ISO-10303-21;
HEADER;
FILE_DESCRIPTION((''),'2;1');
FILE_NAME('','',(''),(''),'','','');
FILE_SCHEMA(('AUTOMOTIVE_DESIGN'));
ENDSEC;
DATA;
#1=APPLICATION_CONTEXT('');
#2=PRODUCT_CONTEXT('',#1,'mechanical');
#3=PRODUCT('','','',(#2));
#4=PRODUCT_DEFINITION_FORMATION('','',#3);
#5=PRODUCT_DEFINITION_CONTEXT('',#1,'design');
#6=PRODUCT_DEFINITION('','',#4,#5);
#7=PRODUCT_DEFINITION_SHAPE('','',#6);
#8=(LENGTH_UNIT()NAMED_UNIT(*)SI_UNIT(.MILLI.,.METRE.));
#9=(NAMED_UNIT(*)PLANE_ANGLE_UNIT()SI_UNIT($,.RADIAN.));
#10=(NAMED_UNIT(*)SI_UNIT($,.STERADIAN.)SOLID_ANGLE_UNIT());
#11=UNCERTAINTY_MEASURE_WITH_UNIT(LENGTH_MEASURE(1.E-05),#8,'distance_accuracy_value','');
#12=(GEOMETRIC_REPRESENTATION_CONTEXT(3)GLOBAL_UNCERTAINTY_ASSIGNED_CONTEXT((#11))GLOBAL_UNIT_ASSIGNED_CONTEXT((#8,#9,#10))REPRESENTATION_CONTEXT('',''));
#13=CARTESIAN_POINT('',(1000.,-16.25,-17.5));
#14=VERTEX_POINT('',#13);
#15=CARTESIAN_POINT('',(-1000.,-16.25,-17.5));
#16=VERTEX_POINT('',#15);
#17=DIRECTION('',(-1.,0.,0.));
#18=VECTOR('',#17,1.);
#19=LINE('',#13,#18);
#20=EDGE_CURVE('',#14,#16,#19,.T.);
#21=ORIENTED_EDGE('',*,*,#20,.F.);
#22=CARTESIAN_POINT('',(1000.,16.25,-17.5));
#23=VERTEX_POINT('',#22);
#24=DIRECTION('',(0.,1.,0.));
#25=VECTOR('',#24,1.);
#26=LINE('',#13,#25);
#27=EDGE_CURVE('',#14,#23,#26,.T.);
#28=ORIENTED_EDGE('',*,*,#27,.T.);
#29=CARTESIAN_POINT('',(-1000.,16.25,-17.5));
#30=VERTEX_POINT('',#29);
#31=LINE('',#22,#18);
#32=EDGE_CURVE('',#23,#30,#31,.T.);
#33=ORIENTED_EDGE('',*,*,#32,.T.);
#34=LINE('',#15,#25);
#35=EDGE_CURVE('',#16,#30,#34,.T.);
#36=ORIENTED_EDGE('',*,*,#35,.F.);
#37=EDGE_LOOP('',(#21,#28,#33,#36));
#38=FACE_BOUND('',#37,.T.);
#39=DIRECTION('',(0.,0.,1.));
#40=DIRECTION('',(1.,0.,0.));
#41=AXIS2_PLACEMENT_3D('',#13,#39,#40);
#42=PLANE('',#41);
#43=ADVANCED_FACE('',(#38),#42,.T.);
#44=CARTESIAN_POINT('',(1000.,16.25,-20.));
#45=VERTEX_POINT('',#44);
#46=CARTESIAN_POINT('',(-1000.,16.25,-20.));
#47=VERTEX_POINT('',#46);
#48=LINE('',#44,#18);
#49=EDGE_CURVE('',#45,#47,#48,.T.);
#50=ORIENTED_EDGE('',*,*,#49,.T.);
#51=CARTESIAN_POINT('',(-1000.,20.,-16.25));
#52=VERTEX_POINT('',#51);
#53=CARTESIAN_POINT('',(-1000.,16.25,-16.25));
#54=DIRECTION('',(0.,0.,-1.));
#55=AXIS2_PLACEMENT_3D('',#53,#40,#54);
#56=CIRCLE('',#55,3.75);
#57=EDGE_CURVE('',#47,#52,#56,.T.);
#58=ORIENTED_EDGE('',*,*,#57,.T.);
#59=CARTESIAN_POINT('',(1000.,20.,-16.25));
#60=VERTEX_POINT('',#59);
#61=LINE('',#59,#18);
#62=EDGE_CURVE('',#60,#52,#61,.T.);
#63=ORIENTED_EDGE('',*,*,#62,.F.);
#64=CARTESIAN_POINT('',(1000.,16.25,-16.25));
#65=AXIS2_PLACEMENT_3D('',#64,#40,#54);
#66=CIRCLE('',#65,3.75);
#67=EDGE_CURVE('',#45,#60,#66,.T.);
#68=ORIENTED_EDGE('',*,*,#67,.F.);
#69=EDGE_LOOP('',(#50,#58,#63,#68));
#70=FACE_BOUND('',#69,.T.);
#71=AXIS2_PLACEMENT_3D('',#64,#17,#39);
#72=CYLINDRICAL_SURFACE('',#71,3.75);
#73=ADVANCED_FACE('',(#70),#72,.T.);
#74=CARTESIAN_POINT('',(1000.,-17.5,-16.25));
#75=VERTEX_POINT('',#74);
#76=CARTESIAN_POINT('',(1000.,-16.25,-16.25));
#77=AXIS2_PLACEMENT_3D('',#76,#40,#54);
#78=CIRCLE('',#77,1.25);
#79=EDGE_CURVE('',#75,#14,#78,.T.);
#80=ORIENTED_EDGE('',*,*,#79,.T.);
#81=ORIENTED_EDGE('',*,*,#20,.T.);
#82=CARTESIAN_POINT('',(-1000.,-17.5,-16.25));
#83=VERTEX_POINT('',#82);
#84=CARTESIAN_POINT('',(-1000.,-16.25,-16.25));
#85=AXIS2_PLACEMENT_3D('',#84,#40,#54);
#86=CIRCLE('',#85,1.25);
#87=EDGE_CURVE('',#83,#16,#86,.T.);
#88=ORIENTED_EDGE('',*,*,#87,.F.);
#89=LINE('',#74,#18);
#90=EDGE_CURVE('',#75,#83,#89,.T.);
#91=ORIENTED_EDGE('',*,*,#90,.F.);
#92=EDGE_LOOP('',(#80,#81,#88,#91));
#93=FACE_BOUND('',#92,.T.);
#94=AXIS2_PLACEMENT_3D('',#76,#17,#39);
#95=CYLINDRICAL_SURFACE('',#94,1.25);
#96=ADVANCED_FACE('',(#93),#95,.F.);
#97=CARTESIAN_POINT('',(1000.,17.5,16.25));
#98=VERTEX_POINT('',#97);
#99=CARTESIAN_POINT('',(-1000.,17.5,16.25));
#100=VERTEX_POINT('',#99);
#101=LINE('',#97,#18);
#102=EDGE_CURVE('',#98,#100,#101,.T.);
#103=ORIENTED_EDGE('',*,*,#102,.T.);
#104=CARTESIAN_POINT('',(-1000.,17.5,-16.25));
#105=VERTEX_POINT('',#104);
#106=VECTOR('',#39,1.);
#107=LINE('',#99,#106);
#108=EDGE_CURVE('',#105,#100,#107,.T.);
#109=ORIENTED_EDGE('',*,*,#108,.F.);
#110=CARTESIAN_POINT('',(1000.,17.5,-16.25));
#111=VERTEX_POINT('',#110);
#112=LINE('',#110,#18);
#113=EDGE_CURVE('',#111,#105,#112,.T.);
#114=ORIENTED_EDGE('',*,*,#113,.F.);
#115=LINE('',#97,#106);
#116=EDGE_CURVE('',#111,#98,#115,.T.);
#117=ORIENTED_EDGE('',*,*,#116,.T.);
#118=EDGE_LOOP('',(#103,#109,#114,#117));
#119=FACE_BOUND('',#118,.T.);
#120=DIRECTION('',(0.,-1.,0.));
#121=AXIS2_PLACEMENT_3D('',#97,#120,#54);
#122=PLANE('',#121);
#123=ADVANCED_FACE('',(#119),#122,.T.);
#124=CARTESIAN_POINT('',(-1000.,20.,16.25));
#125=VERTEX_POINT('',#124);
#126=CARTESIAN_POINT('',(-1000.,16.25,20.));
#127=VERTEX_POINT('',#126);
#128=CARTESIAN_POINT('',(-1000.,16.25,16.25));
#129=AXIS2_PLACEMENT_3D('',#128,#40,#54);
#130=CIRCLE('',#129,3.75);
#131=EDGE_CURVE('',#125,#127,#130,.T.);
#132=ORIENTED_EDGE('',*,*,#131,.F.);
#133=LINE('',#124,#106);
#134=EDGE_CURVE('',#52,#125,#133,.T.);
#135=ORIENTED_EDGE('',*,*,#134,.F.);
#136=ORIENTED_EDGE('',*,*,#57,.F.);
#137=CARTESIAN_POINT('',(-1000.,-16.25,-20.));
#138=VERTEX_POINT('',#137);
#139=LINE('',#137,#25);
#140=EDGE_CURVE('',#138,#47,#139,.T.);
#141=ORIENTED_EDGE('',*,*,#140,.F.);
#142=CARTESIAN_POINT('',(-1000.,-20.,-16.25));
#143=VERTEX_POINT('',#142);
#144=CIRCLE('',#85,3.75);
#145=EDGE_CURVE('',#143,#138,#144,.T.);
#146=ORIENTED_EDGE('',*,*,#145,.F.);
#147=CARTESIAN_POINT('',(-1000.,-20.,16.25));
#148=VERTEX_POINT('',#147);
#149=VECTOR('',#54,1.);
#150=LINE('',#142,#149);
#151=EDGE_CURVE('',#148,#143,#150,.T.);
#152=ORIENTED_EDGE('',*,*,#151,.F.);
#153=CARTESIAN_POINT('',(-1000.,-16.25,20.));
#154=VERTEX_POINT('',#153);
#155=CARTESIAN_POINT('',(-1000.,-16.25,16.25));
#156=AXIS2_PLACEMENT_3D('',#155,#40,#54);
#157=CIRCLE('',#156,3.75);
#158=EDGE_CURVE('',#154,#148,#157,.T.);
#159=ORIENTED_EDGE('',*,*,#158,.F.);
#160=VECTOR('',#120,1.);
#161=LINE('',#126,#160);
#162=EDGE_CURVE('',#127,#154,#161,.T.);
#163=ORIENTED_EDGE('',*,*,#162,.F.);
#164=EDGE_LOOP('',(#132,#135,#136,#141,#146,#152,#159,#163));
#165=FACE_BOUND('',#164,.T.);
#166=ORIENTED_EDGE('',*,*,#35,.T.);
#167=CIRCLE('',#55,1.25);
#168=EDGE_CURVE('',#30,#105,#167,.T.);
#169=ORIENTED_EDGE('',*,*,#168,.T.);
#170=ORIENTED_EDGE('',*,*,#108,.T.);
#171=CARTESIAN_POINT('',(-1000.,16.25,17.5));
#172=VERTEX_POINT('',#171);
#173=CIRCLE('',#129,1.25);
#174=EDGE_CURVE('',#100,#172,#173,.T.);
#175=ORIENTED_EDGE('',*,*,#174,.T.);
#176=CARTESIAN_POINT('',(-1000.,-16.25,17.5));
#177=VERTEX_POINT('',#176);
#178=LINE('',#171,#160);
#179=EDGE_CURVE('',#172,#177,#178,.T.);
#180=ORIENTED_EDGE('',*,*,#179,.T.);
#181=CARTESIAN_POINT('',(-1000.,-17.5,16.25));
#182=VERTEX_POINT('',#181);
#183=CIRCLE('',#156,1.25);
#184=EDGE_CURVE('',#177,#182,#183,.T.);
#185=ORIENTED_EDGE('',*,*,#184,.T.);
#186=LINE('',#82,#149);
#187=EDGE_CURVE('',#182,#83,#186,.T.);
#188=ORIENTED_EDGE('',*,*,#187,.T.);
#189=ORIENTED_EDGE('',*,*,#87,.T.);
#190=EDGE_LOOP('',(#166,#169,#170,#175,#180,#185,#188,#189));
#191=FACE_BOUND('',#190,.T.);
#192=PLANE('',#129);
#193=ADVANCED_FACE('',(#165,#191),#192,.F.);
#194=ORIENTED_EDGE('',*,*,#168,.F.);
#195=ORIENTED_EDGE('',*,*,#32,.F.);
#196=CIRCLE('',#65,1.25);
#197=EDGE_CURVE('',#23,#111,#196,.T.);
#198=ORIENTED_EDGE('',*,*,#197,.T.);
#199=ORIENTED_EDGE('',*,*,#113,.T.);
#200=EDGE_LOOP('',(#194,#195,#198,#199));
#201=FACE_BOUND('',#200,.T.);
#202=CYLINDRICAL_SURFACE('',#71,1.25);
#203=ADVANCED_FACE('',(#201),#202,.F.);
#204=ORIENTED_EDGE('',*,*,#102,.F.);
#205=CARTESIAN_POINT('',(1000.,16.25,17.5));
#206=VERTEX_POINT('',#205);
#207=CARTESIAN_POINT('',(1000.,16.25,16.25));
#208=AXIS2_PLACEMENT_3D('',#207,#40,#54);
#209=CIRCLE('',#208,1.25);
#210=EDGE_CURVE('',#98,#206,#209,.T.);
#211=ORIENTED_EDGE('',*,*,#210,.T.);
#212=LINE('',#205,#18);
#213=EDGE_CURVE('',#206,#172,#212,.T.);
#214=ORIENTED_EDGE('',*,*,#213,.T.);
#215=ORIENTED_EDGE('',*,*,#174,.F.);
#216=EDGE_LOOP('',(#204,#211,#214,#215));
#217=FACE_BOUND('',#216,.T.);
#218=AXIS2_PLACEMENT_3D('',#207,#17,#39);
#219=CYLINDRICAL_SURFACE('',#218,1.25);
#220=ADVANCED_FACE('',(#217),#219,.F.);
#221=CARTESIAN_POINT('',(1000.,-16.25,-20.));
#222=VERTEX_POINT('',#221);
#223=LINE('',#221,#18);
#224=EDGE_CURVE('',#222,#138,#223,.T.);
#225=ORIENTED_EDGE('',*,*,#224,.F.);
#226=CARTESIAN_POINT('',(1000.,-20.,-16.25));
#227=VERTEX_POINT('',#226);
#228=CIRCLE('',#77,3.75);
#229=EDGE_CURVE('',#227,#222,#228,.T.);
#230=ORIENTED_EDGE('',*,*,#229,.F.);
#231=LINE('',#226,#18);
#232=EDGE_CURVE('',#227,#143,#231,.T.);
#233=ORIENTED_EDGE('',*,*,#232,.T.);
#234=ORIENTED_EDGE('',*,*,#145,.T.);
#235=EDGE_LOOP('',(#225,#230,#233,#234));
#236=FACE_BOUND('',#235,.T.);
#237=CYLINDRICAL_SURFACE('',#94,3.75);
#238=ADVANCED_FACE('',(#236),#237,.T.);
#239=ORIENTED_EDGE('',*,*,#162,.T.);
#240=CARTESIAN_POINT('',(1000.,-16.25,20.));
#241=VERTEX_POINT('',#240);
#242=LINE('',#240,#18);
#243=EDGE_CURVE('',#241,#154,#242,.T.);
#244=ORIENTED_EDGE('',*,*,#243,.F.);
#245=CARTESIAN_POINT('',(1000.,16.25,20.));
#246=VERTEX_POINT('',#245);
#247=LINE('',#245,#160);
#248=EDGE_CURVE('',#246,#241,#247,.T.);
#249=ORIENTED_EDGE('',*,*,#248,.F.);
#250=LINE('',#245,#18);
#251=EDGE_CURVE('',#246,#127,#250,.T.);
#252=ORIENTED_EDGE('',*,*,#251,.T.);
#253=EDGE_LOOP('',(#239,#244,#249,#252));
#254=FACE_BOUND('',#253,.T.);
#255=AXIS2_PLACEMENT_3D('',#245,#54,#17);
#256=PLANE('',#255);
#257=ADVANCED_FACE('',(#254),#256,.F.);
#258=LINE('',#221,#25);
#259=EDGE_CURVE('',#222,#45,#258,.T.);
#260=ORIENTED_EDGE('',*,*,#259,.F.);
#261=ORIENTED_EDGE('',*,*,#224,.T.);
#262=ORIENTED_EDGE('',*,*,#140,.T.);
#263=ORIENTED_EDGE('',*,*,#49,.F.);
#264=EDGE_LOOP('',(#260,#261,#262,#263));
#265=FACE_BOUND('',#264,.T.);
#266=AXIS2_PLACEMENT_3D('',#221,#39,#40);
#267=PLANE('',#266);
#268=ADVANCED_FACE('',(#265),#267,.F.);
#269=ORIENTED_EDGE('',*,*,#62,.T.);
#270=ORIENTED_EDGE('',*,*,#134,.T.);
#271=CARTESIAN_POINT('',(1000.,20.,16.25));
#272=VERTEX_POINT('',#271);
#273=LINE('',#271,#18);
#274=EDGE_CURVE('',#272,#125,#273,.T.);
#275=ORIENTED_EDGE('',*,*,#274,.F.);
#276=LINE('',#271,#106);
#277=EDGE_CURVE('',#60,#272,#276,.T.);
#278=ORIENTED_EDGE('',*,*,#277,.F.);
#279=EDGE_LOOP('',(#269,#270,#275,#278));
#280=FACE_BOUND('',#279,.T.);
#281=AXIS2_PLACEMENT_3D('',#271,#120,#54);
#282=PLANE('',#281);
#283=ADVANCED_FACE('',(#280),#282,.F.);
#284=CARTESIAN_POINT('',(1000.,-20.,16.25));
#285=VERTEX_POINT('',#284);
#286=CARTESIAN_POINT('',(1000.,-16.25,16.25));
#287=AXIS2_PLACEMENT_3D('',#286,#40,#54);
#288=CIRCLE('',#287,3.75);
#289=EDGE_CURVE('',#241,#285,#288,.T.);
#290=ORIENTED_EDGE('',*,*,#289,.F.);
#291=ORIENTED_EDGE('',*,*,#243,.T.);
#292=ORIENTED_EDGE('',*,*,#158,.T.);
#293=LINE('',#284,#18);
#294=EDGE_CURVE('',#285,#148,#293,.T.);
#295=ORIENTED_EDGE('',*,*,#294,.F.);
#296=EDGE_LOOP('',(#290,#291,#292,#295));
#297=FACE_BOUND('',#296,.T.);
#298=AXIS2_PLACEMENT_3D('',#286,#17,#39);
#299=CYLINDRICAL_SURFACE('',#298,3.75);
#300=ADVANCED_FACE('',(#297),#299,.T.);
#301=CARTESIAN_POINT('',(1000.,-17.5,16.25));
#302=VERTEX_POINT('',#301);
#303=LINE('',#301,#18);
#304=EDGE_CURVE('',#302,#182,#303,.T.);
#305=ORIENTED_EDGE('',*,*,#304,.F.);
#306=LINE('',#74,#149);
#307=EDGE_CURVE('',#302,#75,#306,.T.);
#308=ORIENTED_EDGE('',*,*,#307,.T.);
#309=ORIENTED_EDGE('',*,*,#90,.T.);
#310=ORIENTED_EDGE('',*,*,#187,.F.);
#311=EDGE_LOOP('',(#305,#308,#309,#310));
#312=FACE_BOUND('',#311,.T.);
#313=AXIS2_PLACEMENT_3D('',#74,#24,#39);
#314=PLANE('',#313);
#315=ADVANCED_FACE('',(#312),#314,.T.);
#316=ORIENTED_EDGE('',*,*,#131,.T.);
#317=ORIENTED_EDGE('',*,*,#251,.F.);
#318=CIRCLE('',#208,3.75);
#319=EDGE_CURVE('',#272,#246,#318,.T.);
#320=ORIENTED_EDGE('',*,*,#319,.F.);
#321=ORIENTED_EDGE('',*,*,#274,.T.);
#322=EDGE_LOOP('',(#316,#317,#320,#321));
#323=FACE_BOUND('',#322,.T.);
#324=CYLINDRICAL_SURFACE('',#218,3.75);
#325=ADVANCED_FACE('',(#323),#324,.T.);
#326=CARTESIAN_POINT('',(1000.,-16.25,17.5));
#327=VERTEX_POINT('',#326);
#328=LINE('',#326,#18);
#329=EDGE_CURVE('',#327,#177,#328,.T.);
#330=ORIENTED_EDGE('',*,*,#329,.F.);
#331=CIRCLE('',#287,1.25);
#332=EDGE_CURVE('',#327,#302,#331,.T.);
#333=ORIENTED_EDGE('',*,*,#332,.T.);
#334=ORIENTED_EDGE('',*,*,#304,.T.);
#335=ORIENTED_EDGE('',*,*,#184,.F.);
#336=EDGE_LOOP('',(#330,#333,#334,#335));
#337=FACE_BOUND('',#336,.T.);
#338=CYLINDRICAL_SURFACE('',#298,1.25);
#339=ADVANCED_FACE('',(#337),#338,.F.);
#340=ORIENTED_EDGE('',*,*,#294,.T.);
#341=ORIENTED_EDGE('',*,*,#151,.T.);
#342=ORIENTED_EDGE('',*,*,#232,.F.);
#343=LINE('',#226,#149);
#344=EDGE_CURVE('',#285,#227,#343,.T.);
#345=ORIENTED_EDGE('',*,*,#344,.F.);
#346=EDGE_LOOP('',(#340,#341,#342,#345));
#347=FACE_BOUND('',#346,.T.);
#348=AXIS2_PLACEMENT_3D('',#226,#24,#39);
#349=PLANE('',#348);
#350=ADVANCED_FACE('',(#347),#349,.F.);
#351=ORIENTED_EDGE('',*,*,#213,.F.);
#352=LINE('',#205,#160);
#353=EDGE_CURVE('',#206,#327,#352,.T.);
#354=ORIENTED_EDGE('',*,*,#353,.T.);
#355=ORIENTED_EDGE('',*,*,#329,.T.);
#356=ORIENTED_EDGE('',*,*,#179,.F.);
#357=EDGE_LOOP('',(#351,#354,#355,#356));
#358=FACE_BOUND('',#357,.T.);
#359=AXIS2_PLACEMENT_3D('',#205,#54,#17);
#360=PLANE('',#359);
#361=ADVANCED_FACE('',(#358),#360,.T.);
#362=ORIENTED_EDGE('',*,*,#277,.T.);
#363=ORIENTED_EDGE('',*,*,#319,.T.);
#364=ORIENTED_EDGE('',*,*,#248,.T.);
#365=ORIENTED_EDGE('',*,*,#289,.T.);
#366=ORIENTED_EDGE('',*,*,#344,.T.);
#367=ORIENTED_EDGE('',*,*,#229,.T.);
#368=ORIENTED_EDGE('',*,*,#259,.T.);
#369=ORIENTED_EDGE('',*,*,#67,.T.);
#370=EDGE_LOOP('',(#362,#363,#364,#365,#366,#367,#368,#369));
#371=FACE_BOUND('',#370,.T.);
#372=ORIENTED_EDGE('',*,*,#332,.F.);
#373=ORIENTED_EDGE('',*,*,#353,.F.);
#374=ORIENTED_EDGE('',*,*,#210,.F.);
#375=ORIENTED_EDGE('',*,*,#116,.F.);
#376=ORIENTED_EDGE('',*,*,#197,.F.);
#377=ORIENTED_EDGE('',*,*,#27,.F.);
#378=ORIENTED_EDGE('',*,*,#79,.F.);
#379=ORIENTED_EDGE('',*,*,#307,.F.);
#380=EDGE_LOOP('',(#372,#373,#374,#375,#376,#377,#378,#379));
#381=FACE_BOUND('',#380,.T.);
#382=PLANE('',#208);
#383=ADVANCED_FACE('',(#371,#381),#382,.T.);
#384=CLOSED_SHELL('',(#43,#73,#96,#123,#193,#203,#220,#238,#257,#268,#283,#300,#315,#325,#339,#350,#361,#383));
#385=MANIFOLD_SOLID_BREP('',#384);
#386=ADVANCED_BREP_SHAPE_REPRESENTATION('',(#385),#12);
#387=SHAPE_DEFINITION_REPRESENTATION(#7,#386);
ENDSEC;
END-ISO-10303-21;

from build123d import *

# Parameters (mm, degrees)
BXBXS_8639_82_40_X_40_X_2_5_1_DEPTH = 2000


with BuildPart() as part:
    # Sketch1 → Труба bxbxs гост8639-82 40 X 40 X 2.5(1) (new body)
    with BuildSketch(Plane.YZ.offset(-1000)):
        with BuildLine():
            Line((-16.25, -20), (16.25, -20))
            ThreePointArc((16.25, -20), (18.901650429, -18.901650429), (20, -16.25))
            Line((20, -16.25), (20, 16.25))
            ThreePointArc((20, 16.25), (18.901650429, 18.901650429), (16.25, 20))
            Line((16.25, 20), (-16.25, 20))
            ThreePointArc((-16.25, 20), (-18.901650429, 18.901650429), (-20, 16.25))
            Line((-20, 16.25), (-20, -16.25))
            ThreePointArc((-20, -16.25), (-18.901650429, -18.901650429), (-16.25, -20))
        make_face()
        with BuildLine():
            Line((-16.25, -17.5), (16.25, -17.5))
            ThreePointArc((16.25, -17.5), (17.133883476, -17.133883476), (17.5, -16.25))
            Line((17.5, -16.25), (17.5, 16.25))
            ThreePointArc((17.5, 16.25), (17.133883476, 17.133883476), (16.25, 17.5))
            Line((16.25, 17.5), (-16.25, 17.5))
            ThreePointArc((-16.25, 17.5), (-17.133883476, 17.133883476), (-17.5, 16.25))
            Line((-17.5, 16.25), (-17.5, -16.25))
            ThreePointArc((-17.5, -16.25), (-17.133883476, -17.133883476), (-16.25, -17.5))
        make_face(mode=Mode.SUBTRACT)
    extrude(amount=BXBXS_8639_82_40_X_40_X_2_5_1_DEPTH)


solid = part.part
